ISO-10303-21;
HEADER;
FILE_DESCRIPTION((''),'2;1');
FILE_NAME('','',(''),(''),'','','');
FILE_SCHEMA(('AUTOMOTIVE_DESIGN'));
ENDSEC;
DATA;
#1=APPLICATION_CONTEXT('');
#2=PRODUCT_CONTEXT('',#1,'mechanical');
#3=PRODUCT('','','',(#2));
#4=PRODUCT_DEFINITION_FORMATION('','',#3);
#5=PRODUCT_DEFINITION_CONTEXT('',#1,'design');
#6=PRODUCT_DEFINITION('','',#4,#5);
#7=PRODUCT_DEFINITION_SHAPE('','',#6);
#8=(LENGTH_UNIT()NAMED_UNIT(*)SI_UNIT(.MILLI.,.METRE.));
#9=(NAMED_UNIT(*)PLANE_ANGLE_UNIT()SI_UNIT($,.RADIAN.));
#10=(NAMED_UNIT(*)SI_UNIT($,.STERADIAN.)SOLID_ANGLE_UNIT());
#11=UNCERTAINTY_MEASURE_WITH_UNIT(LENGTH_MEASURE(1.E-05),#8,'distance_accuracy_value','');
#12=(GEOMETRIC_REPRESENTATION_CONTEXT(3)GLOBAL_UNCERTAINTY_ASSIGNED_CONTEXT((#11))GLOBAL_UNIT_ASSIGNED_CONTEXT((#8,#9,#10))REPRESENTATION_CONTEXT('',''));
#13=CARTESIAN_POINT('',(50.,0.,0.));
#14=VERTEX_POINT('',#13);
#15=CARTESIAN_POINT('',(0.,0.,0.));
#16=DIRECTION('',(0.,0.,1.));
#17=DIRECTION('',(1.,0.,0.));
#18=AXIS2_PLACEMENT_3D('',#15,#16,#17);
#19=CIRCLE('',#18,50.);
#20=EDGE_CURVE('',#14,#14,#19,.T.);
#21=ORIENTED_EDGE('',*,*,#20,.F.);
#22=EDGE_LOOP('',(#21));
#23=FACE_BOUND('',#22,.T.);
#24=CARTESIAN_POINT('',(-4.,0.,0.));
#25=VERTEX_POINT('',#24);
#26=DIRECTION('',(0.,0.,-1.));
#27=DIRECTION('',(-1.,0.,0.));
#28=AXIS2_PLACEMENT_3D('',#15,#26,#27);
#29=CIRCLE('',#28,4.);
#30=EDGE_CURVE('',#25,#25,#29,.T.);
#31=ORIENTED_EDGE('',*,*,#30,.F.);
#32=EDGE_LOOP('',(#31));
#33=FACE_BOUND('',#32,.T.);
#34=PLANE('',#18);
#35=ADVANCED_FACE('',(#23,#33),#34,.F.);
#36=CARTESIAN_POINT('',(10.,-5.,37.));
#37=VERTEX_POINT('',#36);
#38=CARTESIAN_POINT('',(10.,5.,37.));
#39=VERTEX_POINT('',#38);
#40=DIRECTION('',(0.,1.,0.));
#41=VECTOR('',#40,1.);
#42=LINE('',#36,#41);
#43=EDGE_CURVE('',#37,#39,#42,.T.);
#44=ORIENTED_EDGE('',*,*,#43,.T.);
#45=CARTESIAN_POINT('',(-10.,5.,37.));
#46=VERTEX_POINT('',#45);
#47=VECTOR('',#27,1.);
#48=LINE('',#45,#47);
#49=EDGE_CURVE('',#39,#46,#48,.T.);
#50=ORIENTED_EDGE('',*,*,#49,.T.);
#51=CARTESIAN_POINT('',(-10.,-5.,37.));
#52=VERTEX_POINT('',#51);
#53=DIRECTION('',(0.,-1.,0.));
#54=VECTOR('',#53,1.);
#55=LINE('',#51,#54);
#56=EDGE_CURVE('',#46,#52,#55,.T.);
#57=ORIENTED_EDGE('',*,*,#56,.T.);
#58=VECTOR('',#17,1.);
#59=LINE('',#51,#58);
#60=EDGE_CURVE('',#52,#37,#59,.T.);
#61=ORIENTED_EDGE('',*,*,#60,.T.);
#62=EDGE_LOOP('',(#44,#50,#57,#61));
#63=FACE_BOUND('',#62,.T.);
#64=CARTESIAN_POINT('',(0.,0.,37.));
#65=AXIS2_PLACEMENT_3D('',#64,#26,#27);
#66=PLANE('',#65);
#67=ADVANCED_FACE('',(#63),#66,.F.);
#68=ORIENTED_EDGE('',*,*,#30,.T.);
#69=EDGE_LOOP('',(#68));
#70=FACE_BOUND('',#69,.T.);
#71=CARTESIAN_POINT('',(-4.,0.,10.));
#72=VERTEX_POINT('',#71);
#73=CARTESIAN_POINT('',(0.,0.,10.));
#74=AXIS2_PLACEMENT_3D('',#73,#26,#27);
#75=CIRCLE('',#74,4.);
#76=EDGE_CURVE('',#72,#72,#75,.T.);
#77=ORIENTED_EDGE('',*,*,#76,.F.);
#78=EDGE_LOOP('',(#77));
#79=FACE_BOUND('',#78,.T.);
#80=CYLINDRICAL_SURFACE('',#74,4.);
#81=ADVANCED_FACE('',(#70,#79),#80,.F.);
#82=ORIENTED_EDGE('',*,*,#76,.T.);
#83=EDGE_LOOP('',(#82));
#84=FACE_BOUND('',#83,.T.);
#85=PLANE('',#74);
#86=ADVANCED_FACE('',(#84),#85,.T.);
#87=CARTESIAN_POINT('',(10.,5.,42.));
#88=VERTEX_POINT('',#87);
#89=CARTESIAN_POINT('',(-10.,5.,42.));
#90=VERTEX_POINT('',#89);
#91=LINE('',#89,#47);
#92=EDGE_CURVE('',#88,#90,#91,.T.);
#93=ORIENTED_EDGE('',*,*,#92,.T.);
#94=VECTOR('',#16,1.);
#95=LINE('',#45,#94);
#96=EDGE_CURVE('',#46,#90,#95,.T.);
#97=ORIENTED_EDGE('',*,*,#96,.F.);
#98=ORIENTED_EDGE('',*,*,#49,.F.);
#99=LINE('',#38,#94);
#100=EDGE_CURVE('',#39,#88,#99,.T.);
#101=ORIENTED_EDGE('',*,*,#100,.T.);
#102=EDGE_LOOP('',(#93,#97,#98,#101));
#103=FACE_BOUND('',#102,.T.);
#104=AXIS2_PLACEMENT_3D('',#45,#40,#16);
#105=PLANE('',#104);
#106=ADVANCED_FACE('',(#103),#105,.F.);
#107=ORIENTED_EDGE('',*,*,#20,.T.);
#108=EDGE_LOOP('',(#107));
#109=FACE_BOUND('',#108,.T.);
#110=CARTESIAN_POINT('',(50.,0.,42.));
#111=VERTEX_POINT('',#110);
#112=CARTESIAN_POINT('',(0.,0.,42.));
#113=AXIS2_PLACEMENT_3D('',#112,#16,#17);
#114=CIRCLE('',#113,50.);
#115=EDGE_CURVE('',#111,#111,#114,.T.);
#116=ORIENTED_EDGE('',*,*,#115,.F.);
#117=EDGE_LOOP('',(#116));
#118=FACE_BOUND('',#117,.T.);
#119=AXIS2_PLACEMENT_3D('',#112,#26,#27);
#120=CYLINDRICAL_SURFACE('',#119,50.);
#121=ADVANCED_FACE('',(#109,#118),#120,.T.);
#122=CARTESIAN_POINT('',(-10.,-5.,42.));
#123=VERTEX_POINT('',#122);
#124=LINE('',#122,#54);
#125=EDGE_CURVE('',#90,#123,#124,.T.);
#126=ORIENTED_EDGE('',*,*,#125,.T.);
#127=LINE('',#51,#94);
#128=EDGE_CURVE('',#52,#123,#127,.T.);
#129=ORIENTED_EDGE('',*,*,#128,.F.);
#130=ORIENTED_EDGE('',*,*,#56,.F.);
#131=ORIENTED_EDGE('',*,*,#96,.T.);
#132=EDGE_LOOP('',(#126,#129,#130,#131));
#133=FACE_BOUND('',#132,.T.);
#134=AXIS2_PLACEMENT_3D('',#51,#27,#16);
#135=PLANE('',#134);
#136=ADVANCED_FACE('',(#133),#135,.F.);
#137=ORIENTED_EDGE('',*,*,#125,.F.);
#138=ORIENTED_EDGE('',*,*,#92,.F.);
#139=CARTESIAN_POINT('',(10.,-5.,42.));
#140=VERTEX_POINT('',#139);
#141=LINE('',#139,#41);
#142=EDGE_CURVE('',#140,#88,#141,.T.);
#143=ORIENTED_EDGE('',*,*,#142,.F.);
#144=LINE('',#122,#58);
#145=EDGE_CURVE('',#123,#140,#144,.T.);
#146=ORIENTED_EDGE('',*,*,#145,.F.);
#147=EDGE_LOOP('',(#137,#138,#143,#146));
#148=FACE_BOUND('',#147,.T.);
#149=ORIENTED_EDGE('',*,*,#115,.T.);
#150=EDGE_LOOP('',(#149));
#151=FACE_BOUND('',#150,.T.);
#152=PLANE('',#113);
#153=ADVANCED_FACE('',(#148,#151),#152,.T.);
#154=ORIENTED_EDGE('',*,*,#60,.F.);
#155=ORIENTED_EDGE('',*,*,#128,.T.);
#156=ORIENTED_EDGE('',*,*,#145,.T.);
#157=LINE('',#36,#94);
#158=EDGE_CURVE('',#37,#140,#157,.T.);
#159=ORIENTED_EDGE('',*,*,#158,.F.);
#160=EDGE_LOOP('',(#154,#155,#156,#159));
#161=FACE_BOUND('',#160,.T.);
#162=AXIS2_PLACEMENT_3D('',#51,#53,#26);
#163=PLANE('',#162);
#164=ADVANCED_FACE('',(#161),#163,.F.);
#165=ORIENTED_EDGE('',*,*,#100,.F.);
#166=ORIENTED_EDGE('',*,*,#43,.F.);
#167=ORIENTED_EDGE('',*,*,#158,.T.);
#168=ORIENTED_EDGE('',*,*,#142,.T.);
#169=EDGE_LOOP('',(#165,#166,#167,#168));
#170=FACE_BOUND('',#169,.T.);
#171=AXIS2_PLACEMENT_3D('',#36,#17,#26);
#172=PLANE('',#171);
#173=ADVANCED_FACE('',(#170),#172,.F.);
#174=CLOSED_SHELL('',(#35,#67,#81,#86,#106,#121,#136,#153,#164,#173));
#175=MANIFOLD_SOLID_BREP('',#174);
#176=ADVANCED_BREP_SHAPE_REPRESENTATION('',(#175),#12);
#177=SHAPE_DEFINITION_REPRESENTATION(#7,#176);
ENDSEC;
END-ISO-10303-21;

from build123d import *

# Parameters (mm, degrees)
SKETCH1_R           = 50
BOSS_EXTRUDE2_DEPTH = 42
SKETCH2_R           = 4
CUT_EXTRUDE1_DEPTH  = 10
SKETCH3_W           = 20
SKETCH3_H           = 10
CUT_EXTRUDE3_DEPTH  = 5


with BuildPart() as part:
    # Sketch1 → Boss-Extrude2 (new body)
    with BuildSketch(Plane.XY):
        Circle(SKETCH1_R)
    extrude(amount=BOSS_EXTRUDE2_DEPTH)

    # Sketch2 → Cut-Extrude1 (cut)
    with BuildSketch(Plane(origin=(0, 0, 0), x_dir=(-1, 0, 0), z_dir=(0, 0, -1))):
        Circle(SKETCH2_R)
    extrude(amount=-CUT_EXTRUDE1_DEPTH, mode=Mode.SUBTRACT)

    # Sketch3 → Cut-Extrude3 (cut)
    with BuildSketch(Plane.XY.offset(42)):
        Rectangle(SKETCH3_W, SKETCH3_H)
    extrude(amount=-CUT_EXTRUDE3_DEPTH, mode=Mode.SUBTRACT)


solid = part.part
